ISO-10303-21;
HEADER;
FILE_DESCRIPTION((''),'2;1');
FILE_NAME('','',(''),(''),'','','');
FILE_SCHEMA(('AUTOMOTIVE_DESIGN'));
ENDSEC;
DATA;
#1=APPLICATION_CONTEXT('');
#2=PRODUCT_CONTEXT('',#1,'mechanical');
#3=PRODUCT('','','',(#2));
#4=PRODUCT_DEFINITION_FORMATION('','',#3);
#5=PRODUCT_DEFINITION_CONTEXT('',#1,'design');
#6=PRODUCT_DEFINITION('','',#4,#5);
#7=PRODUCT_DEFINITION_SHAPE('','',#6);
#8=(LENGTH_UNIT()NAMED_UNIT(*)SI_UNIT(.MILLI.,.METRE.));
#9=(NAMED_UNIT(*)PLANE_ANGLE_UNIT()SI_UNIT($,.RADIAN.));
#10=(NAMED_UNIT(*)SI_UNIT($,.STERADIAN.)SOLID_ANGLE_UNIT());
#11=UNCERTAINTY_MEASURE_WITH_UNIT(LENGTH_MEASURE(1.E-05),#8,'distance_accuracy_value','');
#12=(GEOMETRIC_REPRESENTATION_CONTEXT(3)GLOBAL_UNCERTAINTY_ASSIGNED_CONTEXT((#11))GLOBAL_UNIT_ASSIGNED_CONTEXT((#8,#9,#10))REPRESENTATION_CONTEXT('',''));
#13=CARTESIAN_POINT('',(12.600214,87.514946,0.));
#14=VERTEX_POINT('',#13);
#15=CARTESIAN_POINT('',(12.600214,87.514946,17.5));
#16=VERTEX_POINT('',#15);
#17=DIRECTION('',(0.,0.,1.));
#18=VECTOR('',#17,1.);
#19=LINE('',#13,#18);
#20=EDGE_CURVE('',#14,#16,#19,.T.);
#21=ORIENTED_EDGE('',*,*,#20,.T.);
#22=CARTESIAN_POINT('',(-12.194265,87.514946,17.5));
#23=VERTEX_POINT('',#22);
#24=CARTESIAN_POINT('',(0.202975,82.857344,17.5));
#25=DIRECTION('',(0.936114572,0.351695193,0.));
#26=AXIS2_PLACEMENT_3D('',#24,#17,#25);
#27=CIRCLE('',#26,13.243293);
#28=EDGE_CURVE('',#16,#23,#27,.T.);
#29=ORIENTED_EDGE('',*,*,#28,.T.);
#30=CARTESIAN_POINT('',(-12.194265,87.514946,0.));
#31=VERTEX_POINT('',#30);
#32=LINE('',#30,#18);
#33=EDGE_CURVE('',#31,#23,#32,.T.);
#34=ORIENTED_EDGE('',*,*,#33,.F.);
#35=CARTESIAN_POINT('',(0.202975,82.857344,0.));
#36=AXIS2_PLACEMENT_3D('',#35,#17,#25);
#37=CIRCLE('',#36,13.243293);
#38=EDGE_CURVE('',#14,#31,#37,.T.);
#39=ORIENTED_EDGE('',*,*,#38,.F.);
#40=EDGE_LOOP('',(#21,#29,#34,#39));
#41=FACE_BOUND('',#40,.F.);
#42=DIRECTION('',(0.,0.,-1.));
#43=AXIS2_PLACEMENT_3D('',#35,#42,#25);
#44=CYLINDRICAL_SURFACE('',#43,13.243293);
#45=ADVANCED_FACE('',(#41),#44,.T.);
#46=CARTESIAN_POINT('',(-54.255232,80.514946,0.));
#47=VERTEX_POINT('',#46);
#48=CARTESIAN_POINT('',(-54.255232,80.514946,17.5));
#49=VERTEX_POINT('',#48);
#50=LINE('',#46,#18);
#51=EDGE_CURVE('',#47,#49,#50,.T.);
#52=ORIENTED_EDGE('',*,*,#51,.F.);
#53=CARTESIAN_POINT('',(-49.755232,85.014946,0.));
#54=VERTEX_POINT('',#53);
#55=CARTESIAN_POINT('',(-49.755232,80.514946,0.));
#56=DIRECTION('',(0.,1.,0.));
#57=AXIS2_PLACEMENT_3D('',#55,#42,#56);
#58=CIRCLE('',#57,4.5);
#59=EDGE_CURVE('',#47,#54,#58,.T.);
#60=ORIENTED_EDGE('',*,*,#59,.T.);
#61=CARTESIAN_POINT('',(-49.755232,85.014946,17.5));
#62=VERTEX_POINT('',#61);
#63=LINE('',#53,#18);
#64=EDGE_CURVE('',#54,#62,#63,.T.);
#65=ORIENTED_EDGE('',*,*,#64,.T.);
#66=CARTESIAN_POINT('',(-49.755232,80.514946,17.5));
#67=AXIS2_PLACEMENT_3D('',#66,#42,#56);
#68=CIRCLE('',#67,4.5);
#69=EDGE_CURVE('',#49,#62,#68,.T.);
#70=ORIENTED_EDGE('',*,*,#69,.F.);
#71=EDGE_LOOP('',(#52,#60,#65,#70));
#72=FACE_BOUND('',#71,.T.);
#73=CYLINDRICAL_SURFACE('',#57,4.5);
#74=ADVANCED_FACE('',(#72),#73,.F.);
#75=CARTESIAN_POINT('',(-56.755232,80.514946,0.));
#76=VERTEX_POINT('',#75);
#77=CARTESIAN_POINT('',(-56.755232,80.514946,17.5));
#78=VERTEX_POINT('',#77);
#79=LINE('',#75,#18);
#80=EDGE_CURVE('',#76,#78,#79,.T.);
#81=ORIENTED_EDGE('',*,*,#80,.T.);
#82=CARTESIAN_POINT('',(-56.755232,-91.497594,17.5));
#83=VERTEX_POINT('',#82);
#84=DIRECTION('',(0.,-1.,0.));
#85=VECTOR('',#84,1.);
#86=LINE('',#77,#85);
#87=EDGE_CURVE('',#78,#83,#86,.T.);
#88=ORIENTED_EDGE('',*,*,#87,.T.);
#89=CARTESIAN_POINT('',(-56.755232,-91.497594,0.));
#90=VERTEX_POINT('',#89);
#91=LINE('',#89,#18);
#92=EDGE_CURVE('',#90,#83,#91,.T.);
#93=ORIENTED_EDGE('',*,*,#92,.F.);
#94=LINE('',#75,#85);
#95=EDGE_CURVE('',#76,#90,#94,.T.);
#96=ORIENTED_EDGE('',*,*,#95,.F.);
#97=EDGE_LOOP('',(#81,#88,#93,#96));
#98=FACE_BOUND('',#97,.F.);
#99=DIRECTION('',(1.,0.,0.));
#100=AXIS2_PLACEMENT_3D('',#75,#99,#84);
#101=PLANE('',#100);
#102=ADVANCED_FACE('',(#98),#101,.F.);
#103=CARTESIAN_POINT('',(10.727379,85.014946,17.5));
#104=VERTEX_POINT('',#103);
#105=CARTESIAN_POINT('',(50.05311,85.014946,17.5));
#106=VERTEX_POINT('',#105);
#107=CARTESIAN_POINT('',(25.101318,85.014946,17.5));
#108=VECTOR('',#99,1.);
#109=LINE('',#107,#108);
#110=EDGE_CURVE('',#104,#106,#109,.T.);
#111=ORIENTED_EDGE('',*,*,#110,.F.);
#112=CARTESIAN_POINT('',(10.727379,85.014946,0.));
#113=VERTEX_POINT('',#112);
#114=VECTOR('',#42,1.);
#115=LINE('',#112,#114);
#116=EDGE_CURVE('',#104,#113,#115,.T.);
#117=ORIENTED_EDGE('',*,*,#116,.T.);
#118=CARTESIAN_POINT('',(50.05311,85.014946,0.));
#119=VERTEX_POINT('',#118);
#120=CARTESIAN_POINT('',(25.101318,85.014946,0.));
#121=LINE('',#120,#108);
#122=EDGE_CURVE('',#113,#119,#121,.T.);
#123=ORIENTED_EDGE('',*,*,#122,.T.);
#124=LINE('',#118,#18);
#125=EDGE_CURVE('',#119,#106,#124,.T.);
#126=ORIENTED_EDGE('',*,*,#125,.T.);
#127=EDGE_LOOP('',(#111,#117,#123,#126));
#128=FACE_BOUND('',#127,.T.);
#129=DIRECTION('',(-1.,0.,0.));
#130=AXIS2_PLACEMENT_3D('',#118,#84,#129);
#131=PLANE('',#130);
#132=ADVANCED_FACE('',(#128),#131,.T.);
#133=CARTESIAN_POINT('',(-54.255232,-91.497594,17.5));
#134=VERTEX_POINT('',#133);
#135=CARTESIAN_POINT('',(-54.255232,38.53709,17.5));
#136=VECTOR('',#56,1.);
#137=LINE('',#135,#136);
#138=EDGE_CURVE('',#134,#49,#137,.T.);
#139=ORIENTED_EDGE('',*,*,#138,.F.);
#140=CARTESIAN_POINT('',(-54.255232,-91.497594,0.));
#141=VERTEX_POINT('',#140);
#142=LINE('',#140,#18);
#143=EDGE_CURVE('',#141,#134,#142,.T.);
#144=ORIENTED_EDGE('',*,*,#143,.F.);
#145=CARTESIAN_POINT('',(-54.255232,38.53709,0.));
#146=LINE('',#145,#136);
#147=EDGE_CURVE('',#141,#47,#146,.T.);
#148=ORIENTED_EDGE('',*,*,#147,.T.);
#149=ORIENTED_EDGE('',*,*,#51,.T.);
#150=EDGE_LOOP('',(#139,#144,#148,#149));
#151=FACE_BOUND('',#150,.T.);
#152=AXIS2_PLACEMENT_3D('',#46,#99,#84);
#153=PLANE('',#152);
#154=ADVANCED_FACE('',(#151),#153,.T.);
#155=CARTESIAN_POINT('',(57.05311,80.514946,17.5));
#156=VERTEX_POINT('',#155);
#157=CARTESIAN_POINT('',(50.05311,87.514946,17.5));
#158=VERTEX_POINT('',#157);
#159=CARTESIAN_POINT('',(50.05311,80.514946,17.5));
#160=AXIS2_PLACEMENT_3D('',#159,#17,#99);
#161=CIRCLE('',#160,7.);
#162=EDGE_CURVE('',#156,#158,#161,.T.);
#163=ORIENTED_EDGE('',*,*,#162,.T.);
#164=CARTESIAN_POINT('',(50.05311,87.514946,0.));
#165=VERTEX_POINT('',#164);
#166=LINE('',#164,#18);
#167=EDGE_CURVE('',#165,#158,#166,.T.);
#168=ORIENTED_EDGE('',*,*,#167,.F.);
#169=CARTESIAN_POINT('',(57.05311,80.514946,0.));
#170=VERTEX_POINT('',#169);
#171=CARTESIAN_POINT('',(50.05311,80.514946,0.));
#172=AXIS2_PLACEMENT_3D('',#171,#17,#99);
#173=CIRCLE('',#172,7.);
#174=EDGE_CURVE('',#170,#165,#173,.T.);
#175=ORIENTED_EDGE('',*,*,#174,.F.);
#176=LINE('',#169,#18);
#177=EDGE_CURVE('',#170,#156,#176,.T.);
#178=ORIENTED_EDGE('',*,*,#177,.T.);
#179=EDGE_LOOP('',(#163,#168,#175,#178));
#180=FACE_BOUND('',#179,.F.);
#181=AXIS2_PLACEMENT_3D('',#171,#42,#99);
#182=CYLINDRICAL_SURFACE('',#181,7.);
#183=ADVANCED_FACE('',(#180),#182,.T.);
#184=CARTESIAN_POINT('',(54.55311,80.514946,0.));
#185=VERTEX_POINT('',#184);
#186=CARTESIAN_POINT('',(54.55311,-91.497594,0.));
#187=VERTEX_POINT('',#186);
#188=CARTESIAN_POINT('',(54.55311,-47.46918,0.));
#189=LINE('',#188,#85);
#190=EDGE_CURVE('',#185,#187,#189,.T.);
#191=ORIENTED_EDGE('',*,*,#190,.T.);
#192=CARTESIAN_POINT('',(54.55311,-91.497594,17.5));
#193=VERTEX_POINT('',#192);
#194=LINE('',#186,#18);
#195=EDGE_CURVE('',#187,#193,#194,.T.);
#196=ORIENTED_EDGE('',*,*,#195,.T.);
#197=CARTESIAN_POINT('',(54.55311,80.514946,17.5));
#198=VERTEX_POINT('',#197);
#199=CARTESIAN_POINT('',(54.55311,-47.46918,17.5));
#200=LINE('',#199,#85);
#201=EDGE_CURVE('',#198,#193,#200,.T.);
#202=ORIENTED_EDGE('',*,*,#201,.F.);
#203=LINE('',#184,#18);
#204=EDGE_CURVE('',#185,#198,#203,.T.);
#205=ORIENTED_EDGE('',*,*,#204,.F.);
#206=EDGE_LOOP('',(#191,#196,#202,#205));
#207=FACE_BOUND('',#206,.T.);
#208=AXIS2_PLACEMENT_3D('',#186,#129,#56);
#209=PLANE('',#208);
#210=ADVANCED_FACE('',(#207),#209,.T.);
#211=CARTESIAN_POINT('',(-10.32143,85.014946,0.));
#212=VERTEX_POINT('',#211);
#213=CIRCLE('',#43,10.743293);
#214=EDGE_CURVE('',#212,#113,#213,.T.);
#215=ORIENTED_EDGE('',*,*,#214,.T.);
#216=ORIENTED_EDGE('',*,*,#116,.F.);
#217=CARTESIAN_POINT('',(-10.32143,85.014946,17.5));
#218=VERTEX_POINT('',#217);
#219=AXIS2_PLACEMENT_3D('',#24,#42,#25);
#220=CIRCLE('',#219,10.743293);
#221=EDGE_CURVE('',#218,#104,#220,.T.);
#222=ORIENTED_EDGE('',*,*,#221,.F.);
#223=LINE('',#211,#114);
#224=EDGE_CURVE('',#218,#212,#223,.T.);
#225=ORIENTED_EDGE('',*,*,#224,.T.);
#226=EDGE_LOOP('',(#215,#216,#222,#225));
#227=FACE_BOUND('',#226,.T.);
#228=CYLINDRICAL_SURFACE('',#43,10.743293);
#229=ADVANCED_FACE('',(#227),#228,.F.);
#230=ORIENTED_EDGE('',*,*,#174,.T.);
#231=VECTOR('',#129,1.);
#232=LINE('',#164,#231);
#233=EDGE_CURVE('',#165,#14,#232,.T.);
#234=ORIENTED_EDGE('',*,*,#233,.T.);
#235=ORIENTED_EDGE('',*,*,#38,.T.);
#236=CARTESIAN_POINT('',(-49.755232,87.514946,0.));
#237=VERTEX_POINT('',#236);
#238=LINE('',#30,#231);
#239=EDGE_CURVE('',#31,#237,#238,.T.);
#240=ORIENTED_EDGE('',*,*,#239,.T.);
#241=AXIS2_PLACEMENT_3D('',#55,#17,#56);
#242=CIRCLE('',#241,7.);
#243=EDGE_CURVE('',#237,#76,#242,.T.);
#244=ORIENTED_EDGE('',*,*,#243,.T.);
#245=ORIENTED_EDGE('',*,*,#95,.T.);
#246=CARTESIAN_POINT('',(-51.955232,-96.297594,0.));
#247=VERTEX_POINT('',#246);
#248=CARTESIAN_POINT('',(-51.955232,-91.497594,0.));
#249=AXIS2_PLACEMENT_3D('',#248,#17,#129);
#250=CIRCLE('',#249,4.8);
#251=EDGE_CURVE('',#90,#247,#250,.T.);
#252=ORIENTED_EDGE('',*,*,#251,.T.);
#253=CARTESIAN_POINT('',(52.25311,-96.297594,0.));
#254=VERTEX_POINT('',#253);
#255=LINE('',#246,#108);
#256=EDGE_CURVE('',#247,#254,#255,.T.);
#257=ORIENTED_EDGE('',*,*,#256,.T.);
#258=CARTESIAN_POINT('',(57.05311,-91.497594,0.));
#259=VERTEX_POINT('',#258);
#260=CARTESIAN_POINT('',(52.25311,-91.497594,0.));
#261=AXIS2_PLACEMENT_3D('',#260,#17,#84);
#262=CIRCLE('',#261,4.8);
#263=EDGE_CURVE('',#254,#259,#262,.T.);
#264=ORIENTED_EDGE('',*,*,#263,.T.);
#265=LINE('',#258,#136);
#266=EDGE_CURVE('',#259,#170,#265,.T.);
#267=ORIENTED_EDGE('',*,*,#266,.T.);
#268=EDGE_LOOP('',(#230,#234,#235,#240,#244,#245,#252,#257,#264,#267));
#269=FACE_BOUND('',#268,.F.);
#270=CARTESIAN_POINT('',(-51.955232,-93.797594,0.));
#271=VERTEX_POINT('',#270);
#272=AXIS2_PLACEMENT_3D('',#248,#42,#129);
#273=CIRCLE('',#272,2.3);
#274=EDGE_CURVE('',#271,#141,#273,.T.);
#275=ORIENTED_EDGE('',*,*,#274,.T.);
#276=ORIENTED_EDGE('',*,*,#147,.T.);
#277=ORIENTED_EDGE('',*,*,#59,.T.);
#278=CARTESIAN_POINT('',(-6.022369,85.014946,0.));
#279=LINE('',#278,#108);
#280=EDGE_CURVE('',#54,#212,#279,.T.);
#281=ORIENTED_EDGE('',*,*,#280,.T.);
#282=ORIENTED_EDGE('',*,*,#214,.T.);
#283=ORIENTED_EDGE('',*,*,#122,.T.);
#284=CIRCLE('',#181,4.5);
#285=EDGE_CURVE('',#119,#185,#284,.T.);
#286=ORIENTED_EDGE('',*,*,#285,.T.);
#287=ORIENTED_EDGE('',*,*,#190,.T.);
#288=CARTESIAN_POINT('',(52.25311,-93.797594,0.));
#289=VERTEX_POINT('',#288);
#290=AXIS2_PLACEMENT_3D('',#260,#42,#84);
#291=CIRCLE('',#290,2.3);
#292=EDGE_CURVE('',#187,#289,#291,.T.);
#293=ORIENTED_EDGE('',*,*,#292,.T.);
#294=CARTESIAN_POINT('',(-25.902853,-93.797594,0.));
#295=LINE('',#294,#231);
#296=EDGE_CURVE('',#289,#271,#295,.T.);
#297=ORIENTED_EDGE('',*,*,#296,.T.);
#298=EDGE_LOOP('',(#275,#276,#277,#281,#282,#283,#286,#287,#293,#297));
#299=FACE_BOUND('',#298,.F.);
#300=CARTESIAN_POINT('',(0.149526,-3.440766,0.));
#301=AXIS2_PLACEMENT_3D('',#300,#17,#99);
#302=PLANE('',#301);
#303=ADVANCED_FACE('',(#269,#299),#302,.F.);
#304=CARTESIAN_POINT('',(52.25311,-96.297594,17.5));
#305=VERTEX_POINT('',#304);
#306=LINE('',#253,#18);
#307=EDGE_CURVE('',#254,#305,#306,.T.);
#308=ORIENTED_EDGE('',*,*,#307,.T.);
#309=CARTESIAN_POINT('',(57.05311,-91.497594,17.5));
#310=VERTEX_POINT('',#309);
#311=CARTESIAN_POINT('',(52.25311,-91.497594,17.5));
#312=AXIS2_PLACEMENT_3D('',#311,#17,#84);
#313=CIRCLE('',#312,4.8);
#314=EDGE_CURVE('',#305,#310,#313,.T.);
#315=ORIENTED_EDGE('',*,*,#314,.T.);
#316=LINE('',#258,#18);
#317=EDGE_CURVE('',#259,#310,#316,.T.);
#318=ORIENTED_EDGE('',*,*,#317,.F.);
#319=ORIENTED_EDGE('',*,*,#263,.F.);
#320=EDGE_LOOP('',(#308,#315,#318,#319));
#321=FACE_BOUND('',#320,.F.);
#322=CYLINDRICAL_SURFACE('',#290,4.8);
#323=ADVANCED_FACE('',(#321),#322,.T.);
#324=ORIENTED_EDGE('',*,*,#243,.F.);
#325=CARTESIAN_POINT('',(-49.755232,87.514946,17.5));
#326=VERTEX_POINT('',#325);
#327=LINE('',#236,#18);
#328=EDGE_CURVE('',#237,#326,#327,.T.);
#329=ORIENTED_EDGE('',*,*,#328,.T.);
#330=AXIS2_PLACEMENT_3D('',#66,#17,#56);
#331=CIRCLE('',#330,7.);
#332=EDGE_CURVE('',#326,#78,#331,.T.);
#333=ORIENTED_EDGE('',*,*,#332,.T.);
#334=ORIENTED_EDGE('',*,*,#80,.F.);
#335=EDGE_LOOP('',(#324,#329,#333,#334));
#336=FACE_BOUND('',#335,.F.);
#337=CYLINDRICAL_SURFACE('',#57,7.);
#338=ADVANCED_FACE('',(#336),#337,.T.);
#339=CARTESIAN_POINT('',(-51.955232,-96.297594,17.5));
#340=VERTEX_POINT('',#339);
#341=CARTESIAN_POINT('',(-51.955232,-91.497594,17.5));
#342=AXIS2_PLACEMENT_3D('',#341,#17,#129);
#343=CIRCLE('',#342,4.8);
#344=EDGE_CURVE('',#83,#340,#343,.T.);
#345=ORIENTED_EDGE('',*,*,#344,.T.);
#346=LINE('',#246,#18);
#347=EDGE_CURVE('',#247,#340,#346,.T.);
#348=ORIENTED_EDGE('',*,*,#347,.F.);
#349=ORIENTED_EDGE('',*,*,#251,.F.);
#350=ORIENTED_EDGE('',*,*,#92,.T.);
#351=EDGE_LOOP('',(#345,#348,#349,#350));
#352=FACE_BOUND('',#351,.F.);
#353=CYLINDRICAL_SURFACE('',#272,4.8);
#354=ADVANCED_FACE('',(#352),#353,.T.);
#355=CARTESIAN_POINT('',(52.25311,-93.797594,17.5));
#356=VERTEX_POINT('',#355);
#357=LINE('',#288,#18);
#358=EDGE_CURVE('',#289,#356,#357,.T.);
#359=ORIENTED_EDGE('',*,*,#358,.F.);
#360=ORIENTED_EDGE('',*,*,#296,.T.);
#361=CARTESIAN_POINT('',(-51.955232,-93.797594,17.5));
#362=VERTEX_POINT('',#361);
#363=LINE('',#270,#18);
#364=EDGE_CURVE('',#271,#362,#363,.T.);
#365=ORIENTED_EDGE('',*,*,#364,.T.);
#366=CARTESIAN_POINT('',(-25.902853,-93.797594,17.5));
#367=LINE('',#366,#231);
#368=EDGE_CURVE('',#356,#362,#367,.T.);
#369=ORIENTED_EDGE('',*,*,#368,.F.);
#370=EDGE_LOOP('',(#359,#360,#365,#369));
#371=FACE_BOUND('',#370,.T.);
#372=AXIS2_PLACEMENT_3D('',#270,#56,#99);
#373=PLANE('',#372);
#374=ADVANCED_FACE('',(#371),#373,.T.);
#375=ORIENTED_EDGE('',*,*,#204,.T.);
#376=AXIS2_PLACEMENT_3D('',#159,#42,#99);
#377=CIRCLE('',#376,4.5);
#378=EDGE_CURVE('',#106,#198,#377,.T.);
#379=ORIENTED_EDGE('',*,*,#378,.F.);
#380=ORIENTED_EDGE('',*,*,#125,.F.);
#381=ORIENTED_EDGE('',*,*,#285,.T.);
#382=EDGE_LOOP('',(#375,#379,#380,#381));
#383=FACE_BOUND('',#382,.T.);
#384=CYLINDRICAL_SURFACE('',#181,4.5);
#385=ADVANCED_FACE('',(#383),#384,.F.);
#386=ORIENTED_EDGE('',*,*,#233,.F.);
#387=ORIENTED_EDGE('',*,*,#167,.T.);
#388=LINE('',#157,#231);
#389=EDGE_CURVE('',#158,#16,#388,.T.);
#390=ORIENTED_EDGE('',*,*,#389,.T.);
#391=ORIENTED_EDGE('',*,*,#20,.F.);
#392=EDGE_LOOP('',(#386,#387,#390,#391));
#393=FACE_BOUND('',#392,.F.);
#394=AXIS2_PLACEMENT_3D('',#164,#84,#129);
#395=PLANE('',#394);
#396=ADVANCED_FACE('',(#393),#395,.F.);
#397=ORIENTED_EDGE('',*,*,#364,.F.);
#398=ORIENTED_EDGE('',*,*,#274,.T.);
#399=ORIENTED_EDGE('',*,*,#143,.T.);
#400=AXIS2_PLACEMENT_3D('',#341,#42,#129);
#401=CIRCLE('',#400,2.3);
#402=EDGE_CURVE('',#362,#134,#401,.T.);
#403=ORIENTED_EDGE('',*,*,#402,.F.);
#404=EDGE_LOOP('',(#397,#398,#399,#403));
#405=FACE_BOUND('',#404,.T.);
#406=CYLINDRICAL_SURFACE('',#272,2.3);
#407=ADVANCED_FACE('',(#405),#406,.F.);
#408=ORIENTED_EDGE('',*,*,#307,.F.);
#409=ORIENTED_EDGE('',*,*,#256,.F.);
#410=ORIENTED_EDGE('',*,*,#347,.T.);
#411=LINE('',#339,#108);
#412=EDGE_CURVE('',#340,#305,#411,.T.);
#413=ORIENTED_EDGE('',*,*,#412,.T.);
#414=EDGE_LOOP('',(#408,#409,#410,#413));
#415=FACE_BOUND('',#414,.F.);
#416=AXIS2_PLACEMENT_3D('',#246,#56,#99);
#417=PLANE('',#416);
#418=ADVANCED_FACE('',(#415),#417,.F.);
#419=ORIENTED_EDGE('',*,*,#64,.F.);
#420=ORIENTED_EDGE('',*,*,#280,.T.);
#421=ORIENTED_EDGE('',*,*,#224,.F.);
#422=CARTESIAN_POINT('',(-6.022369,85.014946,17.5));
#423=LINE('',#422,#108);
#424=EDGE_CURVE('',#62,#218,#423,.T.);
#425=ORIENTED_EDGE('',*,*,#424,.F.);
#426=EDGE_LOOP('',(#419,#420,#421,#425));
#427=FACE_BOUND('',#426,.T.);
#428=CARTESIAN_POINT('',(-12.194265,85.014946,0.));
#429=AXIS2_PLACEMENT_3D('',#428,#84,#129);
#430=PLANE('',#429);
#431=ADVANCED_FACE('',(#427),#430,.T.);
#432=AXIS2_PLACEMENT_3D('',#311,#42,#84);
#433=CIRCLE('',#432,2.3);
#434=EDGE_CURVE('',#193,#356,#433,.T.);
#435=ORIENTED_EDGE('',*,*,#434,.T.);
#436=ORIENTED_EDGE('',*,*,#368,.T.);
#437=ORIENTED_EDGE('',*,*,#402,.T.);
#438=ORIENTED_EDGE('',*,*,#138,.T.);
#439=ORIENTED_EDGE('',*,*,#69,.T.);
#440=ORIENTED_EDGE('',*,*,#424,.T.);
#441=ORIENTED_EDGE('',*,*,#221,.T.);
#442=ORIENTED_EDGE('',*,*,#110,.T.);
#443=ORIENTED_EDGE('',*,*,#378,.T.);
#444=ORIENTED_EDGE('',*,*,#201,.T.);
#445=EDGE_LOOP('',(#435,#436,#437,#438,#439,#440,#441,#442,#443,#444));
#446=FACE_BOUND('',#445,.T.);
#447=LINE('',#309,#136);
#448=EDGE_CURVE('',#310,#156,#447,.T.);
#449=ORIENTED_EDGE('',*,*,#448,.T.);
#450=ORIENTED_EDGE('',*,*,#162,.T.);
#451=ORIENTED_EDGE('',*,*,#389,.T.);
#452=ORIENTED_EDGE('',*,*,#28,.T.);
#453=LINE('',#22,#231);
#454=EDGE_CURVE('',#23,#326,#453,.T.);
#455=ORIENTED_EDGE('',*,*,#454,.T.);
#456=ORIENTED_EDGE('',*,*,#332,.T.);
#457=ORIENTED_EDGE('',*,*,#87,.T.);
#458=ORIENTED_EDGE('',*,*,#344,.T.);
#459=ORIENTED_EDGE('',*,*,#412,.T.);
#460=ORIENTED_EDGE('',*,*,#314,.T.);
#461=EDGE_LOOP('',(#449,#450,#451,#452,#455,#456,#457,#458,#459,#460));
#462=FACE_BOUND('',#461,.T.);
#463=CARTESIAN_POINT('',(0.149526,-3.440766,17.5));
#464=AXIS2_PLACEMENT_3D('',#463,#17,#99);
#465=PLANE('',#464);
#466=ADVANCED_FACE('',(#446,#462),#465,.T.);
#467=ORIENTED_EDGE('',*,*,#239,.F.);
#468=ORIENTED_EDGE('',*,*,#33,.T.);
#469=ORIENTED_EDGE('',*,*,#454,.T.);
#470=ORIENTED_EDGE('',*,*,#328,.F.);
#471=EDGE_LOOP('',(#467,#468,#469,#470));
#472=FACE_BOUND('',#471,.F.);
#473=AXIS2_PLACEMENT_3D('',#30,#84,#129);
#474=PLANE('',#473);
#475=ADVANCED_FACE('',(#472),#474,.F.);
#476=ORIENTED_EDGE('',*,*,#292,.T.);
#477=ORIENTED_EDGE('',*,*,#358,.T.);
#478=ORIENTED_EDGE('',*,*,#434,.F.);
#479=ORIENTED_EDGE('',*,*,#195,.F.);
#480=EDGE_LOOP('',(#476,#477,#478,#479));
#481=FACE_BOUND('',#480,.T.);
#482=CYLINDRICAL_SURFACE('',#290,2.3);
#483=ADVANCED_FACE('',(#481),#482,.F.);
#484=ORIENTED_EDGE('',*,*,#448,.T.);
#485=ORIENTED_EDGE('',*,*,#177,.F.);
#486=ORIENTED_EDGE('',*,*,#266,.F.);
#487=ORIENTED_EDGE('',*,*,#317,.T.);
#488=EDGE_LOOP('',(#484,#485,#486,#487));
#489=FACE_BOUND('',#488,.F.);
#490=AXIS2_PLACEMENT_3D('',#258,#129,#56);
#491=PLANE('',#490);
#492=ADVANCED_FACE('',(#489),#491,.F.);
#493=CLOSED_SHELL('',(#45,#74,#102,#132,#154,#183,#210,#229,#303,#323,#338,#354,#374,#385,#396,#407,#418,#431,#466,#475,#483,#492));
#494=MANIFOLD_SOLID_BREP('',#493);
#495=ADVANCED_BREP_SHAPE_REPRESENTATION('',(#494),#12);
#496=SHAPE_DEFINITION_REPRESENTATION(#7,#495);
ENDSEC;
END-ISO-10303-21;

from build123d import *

# Parameters (mm, degrees)
F1_DEPTH = 17.5
F2_T     = -2.5


with BuildPart() as f1:
    # F0 (on Top) → F1 (new body)
    with BuildSketch(Plane.XY):
        with BuildLine():
            Line((50.0531097949, 87.5149464011), (12.6002141586, 87.5149464011))
            ThreePointArc((12.6002141586, 87.5149464011), (0.2029747702, 96.1006367998), (-12.1942646181, 87.5149464011))
            Line((-12.1942646181, 87.5149464011), (-49.7552318573, 87.5149464011))
            ThreePointArc((-49.7552318573, 87.5149464011), (-54.7049793256, 85.4646938694), (-56.7552318573, 80.5149464011))
            Line((-56.7552318573, 80.5149464011), (-56.7552318573, -91.4975939512))
            ThreePointArc((-56.7552318573, -91.4975939512), (-55.349344407, -94.8917065009), (-51.9552318573, -96.2975939512))
            Line((-51.9552318573, -96.2975939512), (52.2531097949, -96.2975939512))
            ThreePointArc((52.2531097949, -96.2975939512), (55.6472223446, -94.8917065009), (57.0531097949, -91.4975939512))
            Line((57.0531097949, -91.4975939512), (57.0531097949, 80.5149464011))
            ThreePointArc((57.0531097949, 80.5149464011), (55.0028572632, 85.4646938694), (50.0531097949, 87.5149464011))
        make_face()
    extrude(amount=F1_DEPTH)

    # F2
    f2_openings = [f1.faces().sort_by_distance(p)[0] for p in [
        (0.149336, -3.73706, 17.5),
        (0.149336, -3.73706, 0),
    ]]
    offset(amount=F2_T, openings=f2_openings, kind=Kind.INTERSECTION)


solid = f1.part
